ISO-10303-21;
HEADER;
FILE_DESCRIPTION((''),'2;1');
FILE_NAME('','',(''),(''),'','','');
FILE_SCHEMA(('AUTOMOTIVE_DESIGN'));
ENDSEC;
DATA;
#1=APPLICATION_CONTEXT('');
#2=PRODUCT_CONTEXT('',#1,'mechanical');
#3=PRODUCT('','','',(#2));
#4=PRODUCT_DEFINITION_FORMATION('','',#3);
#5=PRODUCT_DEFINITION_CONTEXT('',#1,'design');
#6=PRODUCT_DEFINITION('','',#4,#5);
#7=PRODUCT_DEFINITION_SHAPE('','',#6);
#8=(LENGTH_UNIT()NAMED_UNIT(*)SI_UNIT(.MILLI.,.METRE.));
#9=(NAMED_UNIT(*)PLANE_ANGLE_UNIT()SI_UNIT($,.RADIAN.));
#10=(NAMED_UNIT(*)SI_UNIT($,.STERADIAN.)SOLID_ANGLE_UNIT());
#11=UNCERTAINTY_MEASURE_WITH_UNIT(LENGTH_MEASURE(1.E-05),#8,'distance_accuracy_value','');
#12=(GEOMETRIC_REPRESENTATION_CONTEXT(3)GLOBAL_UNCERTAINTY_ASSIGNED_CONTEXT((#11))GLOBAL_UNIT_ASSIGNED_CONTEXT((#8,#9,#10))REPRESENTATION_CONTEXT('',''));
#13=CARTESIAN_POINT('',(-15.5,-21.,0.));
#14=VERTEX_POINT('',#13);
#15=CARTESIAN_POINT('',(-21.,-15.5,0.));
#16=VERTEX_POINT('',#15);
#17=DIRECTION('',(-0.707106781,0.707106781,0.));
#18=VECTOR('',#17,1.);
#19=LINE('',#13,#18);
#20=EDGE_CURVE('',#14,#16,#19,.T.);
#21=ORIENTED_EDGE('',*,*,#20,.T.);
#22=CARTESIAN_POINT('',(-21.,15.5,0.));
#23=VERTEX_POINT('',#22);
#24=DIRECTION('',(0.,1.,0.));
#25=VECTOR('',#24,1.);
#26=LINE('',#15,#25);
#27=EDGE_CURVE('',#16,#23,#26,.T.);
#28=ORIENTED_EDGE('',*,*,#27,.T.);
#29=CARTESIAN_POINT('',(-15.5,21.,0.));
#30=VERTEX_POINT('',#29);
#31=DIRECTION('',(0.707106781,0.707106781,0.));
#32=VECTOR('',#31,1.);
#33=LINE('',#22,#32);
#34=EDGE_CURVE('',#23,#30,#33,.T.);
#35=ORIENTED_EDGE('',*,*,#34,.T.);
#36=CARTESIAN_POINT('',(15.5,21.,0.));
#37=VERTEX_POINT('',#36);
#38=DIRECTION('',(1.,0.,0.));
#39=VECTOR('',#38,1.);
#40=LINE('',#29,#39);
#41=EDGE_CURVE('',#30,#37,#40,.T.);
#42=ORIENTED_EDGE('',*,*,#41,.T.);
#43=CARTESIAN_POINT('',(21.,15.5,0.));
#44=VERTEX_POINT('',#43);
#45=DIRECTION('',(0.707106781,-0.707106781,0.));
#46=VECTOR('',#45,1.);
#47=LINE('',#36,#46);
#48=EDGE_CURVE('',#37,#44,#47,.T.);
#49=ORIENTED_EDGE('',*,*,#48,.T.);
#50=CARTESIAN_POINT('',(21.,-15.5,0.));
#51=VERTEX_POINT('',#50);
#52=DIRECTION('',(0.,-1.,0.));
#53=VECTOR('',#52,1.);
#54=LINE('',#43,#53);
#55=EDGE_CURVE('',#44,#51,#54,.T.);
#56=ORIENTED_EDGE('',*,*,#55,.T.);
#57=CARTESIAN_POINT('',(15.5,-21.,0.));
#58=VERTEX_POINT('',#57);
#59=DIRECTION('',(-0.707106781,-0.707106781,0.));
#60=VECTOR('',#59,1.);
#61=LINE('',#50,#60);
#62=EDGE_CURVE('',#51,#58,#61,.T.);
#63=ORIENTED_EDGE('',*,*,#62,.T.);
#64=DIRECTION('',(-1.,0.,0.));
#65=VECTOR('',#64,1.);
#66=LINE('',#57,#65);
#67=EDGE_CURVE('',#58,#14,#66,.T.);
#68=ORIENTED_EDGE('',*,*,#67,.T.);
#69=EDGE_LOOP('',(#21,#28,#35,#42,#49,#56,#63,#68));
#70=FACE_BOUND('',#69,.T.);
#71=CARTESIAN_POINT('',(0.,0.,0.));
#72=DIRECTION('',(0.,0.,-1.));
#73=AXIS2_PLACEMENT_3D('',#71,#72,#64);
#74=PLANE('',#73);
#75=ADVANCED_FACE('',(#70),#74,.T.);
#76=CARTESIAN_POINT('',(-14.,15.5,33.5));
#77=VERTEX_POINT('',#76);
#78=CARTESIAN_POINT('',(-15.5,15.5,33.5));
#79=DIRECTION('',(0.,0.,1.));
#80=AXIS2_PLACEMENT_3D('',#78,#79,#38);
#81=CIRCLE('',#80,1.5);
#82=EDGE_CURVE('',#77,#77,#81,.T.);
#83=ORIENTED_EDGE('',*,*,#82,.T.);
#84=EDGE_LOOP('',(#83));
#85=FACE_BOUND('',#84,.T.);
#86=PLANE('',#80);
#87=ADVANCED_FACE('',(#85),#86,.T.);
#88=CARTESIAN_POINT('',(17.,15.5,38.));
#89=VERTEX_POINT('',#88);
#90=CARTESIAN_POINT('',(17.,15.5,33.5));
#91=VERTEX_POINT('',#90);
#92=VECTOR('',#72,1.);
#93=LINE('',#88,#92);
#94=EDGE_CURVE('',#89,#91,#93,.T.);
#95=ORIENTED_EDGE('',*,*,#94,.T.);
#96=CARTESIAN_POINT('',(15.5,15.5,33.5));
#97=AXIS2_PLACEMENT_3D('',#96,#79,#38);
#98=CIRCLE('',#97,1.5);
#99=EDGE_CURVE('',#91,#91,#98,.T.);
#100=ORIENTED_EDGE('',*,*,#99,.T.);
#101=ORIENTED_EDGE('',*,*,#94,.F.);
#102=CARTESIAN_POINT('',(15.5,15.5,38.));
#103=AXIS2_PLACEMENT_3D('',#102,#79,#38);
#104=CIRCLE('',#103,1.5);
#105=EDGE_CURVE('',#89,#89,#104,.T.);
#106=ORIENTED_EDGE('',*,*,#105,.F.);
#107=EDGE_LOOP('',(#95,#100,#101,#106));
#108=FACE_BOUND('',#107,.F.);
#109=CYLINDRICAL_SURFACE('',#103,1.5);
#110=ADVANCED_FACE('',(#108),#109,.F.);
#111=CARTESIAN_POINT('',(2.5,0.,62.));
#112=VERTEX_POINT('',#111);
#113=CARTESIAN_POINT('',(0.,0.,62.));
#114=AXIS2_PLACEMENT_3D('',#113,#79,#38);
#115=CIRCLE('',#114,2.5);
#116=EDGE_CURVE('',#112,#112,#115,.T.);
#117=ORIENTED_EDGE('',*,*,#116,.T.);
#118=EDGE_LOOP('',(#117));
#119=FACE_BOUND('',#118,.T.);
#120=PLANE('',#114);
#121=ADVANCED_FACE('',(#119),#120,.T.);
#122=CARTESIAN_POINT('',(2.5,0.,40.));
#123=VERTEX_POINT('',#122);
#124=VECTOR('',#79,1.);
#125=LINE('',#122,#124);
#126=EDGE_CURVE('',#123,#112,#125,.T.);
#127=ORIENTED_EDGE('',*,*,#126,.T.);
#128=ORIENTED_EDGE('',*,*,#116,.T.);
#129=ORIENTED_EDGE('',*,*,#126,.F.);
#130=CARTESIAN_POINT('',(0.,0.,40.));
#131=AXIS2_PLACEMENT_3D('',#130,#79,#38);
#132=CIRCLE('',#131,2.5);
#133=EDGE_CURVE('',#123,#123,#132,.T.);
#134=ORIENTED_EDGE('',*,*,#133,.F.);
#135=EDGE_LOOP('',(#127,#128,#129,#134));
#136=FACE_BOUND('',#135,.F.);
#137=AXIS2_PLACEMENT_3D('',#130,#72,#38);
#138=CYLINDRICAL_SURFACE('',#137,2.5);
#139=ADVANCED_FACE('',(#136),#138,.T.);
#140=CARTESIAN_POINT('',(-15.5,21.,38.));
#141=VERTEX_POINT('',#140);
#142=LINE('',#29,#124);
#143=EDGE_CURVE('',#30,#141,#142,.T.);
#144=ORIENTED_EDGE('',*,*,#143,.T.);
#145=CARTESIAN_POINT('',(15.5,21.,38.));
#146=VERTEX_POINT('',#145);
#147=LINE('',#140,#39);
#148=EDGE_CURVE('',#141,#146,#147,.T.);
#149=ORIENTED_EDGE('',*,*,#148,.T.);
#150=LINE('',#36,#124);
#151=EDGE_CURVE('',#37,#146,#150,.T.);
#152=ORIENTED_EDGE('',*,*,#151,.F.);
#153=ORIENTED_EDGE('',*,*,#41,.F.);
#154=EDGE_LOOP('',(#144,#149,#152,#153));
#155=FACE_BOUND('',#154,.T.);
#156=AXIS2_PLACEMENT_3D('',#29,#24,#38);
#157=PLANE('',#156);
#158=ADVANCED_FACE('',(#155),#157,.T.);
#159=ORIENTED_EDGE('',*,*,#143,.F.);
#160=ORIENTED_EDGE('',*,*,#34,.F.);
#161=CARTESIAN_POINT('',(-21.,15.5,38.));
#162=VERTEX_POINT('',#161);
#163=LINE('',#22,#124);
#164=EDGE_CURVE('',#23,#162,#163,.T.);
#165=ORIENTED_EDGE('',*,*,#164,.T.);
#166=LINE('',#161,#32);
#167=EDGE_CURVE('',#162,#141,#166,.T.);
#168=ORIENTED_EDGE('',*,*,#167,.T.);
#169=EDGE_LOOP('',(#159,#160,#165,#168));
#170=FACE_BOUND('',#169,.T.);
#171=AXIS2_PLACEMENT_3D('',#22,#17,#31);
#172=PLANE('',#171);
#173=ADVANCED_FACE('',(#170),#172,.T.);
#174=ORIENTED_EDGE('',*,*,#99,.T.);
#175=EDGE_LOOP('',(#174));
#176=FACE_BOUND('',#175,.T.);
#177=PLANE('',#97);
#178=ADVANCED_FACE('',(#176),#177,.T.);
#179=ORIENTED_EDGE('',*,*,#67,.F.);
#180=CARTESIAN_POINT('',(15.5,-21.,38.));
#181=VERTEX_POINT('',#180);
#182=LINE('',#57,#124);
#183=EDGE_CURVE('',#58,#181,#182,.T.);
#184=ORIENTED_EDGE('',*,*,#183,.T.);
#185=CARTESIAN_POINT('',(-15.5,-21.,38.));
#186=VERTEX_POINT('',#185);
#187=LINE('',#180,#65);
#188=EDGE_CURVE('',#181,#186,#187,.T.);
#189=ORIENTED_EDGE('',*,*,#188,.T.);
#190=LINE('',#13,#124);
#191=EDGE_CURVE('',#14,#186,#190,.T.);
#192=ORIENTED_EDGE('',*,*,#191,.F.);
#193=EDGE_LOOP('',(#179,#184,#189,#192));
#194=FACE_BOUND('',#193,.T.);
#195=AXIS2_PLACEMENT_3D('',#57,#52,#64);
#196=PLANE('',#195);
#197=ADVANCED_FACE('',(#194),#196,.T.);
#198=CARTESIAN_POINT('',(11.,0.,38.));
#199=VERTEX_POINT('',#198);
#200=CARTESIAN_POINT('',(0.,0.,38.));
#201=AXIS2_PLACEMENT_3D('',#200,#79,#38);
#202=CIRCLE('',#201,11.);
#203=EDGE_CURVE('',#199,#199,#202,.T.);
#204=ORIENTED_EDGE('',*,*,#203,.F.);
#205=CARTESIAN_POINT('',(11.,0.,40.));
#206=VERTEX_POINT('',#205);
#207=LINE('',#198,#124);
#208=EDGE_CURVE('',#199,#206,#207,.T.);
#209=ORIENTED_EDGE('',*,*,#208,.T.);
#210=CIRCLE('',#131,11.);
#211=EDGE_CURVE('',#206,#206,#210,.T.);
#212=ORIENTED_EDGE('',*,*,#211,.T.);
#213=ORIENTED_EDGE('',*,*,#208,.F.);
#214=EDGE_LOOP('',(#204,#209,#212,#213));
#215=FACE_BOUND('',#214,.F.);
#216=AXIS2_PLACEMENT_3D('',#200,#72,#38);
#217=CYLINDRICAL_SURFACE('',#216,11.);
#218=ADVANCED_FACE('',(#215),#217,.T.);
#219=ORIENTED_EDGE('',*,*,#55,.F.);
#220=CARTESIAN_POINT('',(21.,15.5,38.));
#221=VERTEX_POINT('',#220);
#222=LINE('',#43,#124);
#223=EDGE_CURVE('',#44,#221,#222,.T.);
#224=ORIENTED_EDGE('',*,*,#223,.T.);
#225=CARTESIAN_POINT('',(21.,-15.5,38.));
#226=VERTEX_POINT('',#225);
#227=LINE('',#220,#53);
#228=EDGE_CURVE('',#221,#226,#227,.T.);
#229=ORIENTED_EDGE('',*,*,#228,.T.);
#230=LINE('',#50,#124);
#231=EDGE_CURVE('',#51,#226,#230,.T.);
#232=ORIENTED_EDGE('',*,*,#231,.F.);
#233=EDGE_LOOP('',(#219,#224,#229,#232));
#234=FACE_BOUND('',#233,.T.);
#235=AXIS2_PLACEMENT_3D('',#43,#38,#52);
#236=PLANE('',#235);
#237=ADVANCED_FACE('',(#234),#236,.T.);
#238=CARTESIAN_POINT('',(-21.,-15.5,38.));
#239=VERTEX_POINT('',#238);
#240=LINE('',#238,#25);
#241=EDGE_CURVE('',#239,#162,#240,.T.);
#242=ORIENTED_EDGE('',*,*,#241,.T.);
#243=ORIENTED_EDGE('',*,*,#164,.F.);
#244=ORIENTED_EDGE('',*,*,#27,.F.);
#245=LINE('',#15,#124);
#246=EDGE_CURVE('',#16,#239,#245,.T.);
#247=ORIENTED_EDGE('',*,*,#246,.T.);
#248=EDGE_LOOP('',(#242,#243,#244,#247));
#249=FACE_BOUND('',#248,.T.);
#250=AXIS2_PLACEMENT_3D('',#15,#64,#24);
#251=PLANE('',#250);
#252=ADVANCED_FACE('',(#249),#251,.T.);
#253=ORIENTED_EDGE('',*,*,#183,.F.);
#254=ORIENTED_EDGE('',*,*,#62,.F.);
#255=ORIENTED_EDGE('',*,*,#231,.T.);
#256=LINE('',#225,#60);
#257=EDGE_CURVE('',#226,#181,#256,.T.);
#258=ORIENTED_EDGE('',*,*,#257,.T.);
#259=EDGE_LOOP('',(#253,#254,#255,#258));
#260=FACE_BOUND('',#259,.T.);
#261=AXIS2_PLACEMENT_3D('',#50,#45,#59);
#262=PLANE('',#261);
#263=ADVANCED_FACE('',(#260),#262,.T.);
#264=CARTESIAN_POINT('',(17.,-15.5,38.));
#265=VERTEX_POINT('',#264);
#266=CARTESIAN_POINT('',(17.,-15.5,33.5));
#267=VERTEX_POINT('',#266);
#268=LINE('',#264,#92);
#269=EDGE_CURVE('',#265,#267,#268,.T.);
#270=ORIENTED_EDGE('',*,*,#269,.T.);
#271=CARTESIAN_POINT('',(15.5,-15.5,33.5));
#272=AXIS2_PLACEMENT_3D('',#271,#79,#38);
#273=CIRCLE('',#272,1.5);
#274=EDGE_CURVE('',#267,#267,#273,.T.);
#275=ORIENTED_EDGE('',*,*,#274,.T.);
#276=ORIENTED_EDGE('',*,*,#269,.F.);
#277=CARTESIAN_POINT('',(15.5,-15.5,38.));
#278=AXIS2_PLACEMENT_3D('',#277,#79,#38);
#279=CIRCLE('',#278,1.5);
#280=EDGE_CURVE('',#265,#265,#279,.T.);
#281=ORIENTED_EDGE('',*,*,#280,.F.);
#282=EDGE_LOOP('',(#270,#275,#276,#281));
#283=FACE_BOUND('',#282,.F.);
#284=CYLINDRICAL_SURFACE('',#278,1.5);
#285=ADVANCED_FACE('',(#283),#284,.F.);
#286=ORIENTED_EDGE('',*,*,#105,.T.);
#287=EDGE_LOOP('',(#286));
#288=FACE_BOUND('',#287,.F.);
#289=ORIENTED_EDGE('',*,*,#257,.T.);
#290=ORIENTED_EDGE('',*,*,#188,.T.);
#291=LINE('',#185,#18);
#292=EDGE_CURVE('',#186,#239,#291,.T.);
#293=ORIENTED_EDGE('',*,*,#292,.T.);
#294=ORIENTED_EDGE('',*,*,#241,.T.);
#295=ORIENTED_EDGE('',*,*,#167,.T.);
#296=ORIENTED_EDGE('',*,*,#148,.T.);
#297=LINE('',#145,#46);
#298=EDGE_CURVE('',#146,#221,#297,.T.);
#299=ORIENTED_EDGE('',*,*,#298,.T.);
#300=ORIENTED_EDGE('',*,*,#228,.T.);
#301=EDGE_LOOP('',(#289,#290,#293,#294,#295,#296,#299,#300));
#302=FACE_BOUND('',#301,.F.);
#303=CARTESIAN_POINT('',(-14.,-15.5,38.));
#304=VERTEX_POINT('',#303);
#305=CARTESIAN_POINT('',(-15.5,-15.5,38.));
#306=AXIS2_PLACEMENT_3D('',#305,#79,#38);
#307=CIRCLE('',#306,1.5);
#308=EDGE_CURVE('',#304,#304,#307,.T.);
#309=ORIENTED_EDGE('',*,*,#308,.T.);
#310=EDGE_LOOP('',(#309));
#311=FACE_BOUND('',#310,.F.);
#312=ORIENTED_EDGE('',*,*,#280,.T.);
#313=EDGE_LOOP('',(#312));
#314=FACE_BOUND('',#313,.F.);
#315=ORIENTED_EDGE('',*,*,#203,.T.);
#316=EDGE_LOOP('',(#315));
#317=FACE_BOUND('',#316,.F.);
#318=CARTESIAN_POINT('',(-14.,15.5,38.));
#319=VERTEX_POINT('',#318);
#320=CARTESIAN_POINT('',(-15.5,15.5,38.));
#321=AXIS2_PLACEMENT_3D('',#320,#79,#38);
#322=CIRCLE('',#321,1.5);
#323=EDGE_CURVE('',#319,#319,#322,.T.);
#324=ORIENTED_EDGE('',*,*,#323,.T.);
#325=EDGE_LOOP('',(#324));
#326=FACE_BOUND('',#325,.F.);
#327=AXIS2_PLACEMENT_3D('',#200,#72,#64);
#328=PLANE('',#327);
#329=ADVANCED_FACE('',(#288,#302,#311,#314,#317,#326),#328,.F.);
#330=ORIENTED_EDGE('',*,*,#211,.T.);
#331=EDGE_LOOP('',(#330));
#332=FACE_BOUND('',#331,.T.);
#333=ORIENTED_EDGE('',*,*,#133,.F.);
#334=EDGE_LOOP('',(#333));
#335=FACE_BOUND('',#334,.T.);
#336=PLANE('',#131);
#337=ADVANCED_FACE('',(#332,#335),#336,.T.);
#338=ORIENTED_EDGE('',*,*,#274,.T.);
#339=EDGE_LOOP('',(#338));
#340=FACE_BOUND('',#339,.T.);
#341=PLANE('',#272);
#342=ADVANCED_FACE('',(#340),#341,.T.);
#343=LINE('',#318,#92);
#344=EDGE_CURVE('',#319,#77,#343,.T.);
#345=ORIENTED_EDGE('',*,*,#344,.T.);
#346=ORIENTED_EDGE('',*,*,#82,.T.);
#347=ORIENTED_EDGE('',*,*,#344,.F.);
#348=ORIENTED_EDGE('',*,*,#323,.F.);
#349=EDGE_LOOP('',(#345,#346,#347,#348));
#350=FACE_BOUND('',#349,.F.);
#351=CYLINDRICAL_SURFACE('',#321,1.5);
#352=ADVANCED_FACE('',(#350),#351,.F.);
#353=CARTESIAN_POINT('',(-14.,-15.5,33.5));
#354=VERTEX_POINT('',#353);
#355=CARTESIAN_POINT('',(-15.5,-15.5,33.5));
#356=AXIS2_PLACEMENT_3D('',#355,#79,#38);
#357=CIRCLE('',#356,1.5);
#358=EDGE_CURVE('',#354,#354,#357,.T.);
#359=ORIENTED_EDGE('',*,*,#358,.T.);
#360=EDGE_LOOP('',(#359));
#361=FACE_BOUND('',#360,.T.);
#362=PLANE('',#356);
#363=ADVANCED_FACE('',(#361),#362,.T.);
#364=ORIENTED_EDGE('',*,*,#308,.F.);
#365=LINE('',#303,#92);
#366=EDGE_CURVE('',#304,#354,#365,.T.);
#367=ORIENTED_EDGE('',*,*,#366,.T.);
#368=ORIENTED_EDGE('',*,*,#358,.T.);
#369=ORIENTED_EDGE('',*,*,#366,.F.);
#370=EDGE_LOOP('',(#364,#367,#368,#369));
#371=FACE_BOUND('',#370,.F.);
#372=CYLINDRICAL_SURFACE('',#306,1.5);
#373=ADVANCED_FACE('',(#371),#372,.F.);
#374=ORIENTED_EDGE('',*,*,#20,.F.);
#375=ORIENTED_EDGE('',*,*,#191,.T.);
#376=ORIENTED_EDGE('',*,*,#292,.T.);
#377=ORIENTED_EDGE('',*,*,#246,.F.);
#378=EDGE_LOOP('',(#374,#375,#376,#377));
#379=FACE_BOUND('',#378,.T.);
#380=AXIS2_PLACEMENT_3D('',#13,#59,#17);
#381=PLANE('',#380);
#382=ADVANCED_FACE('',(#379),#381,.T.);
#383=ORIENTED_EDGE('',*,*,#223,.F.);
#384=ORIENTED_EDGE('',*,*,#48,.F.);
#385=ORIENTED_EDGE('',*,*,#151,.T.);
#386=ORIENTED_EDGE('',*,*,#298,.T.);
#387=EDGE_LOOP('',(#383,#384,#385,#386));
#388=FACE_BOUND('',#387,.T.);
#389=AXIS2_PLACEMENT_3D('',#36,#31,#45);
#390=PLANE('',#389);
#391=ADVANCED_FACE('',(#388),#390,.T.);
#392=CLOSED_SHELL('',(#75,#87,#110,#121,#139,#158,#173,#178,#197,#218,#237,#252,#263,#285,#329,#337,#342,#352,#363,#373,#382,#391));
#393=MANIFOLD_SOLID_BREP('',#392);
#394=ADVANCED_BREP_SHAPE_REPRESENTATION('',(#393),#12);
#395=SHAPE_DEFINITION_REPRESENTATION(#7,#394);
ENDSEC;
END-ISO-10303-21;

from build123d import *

# Parameters (mm, degrees)
PAD_DEPTH    = 38
SKETCH001_R  = 1.5
POCKET_DEPTH = 4.5
SKETCH002_R  = 11
PAD001_DEPTH = 2
SKETCH003_R  = 2.5
PAD002_DEPTH = 22


with BuildPart() as part:
    # Sketch → Pad (new body)
    with BuildSketch(Plane.XY):
        Polygon((-21, 15.5), (-15.5, 21), (15.5, 21), (21, 15.5), (21, -15.5), (15.5, -21), (-15.5, -21), (-21, -15.5), align=None)
    extrude(amount=PAD_DEPTH)

    # Sketch001 (on Face10 of Pad) → Pocket (cut)
    with BuildSketch(Plane.XY.offset(38)):
        with Locations((-15.5, 15.5)):
            Circle(SKETCH001_R)
        with Locations((15.5, 15.5)):
            Circle(SKETCH001_R)
        with Locations((15.5, -15.5)):
            Circle(SKETCH001_R)
        with Locations((-15.5, -15.5)):
            Circle(SKETCH001_R)
    extrude(amount=-POCKET_DEPTH, mode=Mode.SUBTRACT)

    # Sketch002 (on Face5 of Pocket) → Pad001 (join)
    with BuildSketch(Plane.XY.offset(38)):
        Circle(SKETCH002_R)
    extrude(amount=PAD001_DEPTH)

    # Sketch003 (on Face17 of Pad001) → Pad002 (join)
    with BuildSketch(Plane.XY.offset(40)):
        Circle(SKETCH003_R)
    extrude(amount=PAD002_DEPTH)


solid = part.part
